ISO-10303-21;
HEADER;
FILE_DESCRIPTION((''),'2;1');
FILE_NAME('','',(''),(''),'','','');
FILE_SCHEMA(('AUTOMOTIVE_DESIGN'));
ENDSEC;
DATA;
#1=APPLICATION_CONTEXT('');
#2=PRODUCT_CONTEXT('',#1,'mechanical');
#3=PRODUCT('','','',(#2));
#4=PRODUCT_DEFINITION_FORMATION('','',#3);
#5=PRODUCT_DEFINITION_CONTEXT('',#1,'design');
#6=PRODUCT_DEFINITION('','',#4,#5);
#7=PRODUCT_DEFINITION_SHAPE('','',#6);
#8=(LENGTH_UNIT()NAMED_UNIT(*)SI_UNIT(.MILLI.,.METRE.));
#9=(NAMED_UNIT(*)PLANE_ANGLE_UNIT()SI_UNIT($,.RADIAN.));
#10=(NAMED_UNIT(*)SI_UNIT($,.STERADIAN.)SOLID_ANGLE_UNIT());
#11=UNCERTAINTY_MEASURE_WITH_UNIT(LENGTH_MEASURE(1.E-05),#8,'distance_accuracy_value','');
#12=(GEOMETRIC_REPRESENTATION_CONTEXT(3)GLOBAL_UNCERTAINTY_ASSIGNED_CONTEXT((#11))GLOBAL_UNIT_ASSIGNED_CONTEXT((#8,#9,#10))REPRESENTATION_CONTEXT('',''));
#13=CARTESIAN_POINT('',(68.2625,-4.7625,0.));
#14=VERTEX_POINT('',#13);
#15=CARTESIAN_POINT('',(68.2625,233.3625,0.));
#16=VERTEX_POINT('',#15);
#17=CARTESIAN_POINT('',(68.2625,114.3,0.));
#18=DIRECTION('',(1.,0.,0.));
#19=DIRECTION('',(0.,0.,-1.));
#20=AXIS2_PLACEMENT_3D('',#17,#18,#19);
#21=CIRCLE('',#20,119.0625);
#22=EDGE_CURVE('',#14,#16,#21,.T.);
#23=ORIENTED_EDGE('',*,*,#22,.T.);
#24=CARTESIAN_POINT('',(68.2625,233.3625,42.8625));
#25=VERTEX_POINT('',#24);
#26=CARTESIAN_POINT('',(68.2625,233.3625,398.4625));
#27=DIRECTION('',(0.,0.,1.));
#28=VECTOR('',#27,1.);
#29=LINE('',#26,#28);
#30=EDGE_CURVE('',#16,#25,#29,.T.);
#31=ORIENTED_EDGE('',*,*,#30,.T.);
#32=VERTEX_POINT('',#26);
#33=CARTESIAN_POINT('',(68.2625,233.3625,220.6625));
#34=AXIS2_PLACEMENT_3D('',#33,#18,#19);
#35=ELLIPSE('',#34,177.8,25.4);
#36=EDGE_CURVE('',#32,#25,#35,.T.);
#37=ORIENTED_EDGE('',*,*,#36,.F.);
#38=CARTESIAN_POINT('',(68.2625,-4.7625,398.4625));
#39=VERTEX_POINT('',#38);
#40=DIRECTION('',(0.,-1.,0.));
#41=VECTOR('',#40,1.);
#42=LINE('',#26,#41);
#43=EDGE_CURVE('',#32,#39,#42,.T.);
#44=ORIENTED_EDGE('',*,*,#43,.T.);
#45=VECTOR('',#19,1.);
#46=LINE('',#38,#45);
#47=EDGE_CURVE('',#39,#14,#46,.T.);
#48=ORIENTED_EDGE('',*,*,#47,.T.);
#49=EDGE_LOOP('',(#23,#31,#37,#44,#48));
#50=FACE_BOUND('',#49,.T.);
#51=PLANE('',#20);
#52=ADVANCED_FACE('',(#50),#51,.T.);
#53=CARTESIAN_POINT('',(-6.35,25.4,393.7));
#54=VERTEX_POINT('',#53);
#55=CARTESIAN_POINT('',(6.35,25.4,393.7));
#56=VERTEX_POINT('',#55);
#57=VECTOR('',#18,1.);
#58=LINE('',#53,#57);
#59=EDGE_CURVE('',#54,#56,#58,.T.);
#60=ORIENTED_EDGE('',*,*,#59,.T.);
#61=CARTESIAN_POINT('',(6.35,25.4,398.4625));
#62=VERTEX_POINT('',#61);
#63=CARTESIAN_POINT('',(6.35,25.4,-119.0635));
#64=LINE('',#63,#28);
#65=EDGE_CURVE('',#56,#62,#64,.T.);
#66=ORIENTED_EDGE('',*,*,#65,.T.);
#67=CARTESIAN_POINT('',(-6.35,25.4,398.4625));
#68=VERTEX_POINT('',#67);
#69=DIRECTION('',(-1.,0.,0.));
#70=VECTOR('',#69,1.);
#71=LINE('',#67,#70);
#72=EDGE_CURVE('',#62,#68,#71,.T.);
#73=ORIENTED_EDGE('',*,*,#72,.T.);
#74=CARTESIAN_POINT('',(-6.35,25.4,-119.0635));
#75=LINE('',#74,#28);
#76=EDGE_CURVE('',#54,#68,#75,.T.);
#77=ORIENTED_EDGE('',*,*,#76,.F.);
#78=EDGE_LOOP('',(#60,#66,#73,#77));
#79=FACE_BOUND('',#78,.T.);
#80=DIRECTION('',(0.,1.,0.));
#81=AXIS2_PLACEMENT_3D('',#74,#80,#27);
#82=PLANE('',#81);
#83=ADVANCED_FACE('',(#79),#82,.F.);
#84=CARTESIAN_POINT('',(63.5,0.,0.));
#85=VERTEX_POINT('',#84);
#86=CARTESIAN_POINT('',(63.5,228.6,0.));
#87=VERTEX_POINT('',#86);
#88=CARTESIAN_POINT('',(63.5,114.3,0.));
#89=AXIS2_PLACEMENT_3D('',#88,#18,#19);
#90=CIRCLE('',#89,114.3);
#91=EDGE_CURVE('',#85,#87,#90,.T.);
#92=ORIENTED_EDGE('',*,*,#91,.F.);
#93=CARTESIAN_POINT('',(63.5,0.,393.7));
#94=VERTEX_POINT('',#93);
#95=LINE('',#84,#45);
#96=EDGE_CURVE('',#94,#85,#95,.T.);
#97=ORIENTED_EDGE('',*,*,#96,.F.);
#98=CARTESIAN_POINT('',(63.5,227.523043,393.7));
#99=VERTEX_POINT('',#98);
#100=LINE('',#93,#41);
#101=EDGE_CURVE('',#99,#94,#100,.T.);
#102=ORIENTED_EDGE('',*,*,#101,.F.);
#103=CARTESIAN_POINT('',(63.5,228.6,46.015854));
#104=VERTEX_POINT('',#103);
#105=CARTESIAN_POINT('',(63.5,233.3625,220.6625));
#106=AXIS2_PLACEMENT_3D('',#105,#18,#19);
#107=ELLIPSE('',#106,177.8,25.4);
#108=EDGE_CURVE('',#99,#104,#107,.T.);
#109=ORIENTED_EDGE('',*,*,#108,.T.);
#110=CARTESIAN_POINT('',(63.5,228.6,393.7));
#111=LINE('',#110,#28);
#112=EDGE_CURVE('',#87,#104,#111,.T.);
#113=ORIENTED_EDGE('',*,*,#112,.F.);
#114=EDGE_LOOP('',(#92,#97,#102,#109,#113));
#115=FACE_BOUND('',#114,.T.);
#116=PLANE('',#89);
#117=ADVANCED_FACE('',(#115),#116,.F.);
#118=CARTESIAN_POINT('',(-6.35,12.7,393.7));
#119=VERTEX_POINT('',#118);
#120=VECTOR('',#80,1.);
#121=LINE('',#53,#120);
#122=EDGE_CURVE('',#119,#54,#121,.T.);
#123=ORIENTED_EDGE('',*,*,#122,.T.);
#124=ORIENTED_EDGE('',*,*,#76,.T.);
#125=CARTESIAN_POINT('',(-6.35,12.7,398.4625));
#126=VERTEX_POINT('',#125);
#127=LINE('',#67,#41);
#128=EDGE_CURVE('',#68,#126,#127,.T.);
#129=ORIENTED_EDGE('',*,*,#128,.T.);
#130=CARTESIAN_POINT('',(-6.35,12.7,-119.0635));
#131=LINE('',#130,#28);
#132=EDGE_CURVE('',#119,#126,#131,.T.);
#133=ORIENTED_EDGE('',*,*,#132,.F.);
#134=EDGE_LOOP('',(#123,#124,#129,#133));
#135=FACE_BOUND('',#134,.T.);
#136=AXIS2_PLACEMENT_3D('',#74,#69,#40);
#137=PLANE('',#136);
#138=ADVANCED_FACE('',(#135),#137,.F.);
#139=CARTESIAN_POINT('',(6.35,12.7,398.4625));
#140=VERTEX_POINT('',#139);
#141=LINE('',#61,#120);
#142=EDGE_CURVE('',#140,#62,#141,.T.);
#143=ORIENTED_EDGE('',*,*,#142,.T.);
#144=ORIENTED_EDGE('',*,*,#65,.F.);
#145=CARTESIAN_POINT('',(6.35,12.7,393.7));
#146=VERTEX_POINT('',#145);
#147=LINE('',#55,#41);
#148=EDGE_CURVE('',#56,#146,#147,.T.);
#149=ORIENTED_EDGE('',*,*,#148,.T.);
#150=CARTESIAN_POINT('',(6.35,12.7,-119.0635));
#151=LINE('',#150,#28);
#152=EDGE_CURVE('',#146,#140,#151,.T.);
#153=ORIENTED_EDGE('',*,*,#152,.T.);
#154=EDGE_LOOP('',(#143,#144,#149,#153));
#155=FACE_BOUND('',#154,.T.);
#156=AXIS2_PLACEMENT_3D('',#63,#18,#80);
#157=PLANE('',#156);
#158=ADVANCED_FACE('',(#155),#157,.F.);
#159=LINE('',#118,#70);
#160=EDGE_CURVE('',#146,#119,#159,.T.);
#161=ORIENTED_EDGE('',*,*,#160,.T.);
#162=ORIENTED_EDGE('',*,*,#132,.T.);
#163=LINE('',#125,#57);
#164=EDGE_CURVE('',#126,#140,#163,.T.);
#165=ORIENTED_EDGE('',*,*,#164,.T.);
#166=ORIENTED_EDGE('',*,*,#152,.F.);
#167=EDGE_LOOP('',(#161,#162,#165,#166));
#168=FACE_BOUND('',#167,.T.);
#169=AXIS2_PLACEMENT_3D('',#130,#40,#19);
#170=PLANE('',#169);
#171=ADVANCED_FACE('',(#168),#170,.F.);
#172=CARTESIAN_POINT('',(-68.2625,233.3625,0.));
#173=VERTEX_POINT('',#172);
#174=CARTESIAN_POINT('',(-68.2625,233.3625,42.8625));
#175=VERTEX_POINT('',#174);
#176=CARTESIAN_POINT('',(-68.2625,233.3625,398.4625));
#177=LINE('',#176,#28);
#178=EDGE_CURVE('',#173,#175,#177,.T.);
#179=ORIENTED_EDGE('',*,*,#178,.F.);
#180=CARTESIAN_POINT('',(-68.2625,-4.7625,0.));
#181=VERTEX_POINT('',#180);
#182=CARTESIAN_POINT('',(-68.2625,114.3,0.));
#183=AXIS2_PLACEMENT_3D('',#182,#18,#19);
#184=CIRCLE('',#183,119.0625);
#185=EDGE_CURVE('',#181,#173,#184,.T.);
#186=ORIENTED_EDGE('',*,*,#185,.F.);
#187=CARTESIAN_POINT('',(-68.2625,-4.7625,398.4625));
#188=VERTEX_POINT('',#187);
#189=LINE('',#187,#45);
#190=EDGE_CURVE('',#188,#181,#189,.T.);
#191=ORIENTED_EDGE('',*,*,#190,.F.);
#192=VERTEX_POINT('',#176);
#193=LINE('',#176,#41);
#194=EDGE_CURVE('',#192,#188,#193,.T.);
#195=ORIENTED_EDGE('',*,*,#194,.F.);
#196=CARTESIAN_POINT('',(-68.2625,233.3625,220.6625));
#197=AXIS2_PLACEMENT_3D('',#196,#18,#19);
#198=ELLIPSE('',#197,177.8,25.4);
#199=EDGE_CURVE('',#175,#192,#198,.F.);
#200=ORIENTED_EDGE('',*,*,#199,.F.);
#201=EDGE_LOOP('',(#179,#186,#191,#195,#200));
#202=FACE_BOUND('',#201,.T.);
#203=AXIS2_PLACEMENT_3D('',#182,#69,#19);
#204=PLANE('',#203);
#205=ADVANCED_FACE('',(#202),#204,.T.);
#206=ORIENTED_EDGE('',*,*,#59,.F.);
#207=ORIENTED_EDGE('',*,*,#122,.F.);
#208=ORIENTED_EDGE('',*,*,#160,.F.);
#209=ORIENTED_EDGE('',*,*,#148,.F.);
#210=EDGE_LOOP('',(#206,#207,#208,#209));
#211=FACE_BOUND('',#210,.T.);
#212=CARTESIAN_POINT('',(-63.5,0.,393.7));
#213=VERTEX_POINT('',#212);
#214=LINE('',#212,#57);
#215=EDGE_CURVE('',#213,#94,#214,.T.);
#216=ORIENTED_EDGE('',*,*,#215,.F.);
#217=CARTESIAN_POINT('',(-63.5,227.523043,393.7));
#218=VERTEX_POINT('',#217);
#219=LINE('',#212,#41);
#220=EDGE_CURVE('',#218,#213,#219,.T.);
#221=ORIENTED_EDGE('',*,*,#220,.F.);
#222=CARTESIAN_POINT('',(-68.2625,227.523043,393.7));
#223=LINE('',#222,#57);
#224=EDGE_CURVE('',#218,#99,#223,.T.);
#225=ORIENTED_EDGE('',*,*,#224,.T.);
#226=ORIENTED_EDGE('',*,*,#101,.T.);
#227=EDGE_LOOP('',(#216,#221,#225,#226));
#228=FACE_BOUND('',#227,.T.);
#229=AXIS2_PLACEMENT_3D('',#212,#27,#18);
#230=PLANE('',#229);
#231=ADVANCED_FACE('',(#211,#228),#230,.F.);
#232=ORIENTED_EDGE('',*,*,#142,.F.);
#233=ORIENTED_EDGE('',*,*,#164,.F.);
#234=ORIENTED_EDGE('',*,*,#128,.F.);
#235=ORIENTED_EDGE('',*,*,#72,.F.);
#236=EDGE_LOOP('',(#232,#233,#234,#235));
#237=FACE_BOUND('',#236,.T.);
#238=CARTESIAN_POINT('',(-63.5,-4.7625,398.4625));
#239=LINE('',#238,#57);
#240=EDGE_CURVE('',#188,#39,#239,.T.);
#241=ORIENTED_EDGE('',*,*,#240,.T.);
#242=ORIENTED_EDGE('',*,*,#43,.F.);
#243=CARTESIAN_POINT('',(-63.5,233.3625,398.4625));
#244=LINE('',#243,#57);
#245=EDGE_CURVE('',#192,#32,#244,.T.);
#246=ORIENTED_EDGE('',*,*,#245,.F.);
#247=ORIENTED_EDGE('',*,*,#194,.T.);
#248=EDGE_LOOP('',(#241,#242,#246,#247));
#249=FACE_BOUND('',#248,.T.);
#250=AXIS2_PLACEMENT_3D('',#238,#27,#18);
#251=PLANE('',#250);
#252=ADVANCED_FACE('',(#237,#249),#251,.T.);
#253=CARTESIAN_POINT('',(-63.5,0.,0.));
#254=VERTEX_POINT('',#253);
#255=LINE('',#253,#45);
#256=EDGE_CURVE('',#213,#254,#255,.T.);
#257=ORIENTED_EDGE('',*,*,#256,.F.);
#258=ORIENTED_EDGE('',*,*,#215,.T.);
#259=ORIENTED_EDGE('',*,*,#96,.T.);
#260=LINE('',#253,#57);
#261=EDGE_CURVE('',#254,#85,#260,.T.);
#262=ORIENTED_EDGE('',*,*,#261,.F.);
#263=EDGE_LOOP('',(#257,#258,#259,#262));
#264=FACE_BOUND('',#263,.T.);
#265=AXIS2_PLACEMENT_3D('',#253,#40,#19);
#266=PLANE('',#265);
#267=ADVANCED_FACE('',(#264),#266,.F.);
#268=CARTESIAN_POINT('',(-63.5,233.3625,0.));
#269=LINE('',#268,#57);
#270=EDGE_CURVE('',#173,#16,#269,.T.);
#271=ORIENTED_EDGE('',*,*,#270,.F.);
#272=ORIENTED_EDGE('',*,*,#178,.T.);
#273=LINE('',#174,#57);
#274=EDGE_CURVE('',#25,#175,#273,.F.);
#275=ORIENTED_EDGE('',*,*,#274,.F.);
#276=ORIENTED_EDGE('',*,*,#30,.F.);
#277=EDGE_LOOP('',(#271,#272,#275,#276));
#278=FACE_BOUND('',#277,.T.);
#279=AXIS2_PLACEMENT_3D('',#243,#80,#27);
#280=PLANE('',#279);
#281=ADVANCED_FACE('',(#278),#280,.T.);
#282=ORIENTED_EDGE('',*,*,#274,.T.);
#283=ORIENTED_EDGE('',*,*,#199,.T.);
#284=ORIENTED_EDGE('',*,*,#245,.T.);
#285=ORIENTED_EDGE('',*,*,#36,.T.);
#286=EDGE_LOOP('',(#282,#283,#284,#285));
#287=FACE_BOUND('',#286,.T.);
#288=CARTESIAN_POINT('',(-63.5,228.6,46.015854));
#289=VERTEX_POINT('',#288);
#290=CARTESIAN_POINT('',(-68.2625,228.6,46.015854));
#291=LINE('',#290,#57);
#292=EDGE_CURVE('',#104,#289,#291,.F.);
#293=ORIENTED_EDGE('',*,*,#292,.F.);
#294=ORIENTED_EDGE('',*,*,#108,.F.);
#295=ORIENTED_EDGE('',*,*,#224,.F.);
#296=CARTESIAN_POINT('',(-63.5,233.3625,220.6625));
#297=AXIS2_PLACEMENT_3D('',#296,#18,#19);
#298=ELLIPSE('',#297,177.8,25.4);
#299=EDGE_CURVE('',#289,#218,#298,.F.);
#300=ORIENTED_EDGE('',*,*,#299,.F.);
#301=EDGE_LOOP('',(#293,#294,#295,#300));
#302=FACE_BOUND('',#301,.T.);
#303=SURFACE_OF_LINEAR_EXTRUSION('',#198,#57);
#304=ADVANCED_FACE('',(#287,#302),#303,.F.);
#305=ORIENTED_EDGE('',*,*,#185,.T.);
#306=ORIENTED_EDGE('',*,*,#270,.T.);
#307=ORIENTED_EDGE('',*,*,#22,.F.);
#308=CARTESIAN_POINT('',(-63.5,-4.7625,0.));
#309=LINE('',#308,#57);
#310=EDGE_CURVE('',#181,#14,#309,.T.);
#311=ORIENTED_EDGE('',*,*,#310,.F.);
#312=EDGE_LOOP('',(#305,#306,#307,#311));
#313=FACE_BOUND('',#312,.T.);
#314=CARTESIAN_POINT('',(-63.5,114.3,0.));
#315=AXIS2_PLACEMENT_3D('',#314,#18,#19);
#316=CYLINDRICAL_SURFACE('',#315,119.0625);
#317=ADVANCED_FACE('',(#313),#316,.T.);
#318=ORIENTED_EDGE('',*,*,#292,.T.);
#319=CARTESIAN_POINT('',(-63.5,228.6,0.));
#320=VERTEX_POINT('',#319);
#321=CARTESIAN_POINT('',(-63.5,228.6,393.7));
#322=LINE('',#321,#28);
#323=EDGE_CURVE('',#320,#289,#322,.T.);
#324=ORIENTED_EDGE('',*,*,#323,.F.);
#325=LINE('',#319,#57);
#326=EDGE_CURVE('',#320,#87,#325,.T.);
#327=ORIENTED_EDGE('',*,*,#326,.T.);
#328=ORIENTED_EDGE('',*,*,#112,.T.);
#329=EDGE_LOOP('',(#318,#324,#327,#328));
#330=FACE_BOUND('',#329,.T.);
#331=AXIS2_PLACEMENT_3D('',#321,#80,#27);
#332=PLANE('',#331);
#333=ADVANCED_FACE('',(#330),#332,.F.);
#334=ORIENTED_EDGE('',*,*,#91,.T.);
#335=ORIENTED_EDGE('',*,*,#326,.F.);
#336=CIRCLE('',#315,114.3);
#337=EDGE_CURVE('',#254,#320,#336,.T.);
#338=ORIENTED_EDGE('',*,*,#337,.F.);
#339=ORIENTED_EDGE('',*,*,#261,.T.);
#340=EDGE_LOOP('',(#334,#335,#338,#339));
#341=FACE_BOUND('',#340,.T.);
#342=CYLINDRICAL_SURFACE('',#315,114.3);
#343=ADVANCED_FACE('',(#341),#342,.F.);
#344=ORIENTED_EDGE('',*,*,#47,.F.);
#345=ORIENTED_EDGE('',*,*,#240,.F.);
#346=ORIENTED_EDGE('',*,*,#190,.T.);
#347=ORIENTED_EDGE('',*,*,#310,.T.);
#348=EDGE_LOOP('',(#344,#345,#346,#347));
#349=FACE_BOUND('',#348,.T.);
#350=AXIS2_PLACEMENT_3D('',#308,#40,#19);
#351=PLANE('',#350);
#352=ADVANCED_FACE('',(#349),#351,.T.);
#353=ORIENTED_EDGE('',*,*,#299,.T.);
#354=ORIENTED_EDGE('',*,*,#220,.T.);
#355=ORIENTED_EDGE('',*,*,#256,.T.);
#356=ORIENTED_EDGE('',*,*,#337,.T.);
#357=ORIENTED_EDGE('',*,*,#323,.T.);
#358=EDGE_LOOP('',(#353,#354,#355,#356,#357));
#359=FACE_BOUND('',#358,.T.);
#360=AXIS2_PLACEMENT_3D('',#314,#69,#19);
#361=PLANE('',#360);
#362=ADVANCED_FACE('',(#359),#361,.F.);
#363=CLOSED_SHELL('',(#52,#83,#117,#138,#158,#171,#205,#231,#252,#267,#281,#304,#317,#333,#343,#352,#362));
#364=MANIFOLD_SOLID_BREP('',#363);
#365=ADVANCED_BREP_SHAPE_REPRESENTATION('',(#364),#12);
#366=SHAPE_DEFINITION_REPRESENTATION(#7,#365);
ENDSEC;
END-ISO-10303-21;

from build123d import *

# Parameters (mm, degrees)
BOSS_EXTRUDE1_DEPTH      = 63.5
BOSS_EXTRUDE1_DEPTH_BACK = 63.5
CUT_EXTRUDE1_REACH       = 573.246
SKETCH4_W                = 12.7
SKETCH4_H                = 12.7
BOSS_EXTRUDE3_DEPTH      = 4.7625
CUT_EXTRUDE2_DEPTH       = 467.787091958
CUT_EXTRUDE2_DEPTH_BACK  = 467.787091958
SKETCH11_RX              = 177.8
SKETCH11_RY              = 25.4


with BuildPart() as part:
    # Sketch2 → Boss-Extrude1 (new, two sides: drawn at the far end of the back side and taken through both)
    with BuildSketch(Plane(origin=(0, 0, 0), x_dir=(0, 0, -1), z_dir=(1, 0, 0)).offset(-BOSS_EXTRUDE1_DEPTH_BACK)):
        with BuildLine():
            Line((0, -4.7625), (-398.4625, -4.7625))
            Line((-398.4625, -4.7625), (-398.4625, 233.3625))
            Line((-398.4625, 233.3625), (0, 233.3625))
            ThreePointArc((0, 233.3625), (119.0625, 114.3), (0, -4.7625))
        make_face()
        with BuildLine():
            Line((0, 0), (-393.7, 0))
            Line((-393.7, 0), (-393.7, 228.6))
            Line((-393.7, 228.6), (0, 228.6))
            ThreePointArc((0, 228.6), (114.3, 114.3), (0, 0))
        make_face(mode=Mode.SUBTRACT)
    extrude(amount=BOSS_EXTRUDE1_DEPTH + BOSS_EXTRUDE1_DEPTH_BACK)

    # Sketch4 → Cut-Extrude1 (cut, up to next)
    with BuildSketch(Plane.XY.offset(398.4625), mode=Mode.PRIVATE) as cut_extrude1_sk1:
        with Locations((0, 19.05)):
            Rectangle(SKETCH4_W, SKETCH4_H)
    cut_extrude1_tool1 = extrude(cut_extrude1_sk1.sketch, amount=-CUT_EXTRUDE1_REACH, mode=Mode.PRIVATE) & part.part
    add(cut_extrude1_tool1.solids().sort_by_distance((0, 19.05, 398.4625))[0], mode=Mode.SUBTRACT)

    # Sketch9 → Boss-Extrude3 (add)
    with BuildSketch(Plane(origin=(63.5, 0, 0), x_dir=(0, 0, -1), z_dir=(1, 0, 0))):
        with BuildLine():
            Line((-398.4625, 233.3625), (0, 233.3625))
            ThreePointArc((0, 233.3625), (119.0625, 114.3), (0, -4.7625))
            Line((0, -4.7625), (-398.4625, -4.7625))
            Line((-398.4625, -4.7625), (-398.4625, 233.3625))
        make_face()
    boss_extrude3 = extrude(amount=BOSS_EXTRUDE3_DEPTH)

    # Mirror1: Boss-Extrude3 across plane
    add(boss_extrude3.mirror(Plane(origin=(0, 0, 0), x_dir=(0, 0, 1), z_dir=(1, 0, 0))))

    # Sketch11 → Cut-Extrude2 (cut, two sides: drawn at the far end of the back side and taken through both)
    with BuildSketch(Plane(origin=(0, 0, 0), x_dir=(0, 0, -1), z_dir=(1, 0, 0)).offset(-CUT_EXTRUDE2_DEPTH_BACK)):
        with Locations(Location((-220.6625, 233.3625), (0, 0, -180))):
            Ellipse(SKETCH11_RX, SKETCH11_RY)
    extrude(amount=CUT_EXTRUDE2_DEPTH + CUT_EXTRUDE2_DEPTH_BACK, mode=Mode.SUBTRACT)


solid = part.part
